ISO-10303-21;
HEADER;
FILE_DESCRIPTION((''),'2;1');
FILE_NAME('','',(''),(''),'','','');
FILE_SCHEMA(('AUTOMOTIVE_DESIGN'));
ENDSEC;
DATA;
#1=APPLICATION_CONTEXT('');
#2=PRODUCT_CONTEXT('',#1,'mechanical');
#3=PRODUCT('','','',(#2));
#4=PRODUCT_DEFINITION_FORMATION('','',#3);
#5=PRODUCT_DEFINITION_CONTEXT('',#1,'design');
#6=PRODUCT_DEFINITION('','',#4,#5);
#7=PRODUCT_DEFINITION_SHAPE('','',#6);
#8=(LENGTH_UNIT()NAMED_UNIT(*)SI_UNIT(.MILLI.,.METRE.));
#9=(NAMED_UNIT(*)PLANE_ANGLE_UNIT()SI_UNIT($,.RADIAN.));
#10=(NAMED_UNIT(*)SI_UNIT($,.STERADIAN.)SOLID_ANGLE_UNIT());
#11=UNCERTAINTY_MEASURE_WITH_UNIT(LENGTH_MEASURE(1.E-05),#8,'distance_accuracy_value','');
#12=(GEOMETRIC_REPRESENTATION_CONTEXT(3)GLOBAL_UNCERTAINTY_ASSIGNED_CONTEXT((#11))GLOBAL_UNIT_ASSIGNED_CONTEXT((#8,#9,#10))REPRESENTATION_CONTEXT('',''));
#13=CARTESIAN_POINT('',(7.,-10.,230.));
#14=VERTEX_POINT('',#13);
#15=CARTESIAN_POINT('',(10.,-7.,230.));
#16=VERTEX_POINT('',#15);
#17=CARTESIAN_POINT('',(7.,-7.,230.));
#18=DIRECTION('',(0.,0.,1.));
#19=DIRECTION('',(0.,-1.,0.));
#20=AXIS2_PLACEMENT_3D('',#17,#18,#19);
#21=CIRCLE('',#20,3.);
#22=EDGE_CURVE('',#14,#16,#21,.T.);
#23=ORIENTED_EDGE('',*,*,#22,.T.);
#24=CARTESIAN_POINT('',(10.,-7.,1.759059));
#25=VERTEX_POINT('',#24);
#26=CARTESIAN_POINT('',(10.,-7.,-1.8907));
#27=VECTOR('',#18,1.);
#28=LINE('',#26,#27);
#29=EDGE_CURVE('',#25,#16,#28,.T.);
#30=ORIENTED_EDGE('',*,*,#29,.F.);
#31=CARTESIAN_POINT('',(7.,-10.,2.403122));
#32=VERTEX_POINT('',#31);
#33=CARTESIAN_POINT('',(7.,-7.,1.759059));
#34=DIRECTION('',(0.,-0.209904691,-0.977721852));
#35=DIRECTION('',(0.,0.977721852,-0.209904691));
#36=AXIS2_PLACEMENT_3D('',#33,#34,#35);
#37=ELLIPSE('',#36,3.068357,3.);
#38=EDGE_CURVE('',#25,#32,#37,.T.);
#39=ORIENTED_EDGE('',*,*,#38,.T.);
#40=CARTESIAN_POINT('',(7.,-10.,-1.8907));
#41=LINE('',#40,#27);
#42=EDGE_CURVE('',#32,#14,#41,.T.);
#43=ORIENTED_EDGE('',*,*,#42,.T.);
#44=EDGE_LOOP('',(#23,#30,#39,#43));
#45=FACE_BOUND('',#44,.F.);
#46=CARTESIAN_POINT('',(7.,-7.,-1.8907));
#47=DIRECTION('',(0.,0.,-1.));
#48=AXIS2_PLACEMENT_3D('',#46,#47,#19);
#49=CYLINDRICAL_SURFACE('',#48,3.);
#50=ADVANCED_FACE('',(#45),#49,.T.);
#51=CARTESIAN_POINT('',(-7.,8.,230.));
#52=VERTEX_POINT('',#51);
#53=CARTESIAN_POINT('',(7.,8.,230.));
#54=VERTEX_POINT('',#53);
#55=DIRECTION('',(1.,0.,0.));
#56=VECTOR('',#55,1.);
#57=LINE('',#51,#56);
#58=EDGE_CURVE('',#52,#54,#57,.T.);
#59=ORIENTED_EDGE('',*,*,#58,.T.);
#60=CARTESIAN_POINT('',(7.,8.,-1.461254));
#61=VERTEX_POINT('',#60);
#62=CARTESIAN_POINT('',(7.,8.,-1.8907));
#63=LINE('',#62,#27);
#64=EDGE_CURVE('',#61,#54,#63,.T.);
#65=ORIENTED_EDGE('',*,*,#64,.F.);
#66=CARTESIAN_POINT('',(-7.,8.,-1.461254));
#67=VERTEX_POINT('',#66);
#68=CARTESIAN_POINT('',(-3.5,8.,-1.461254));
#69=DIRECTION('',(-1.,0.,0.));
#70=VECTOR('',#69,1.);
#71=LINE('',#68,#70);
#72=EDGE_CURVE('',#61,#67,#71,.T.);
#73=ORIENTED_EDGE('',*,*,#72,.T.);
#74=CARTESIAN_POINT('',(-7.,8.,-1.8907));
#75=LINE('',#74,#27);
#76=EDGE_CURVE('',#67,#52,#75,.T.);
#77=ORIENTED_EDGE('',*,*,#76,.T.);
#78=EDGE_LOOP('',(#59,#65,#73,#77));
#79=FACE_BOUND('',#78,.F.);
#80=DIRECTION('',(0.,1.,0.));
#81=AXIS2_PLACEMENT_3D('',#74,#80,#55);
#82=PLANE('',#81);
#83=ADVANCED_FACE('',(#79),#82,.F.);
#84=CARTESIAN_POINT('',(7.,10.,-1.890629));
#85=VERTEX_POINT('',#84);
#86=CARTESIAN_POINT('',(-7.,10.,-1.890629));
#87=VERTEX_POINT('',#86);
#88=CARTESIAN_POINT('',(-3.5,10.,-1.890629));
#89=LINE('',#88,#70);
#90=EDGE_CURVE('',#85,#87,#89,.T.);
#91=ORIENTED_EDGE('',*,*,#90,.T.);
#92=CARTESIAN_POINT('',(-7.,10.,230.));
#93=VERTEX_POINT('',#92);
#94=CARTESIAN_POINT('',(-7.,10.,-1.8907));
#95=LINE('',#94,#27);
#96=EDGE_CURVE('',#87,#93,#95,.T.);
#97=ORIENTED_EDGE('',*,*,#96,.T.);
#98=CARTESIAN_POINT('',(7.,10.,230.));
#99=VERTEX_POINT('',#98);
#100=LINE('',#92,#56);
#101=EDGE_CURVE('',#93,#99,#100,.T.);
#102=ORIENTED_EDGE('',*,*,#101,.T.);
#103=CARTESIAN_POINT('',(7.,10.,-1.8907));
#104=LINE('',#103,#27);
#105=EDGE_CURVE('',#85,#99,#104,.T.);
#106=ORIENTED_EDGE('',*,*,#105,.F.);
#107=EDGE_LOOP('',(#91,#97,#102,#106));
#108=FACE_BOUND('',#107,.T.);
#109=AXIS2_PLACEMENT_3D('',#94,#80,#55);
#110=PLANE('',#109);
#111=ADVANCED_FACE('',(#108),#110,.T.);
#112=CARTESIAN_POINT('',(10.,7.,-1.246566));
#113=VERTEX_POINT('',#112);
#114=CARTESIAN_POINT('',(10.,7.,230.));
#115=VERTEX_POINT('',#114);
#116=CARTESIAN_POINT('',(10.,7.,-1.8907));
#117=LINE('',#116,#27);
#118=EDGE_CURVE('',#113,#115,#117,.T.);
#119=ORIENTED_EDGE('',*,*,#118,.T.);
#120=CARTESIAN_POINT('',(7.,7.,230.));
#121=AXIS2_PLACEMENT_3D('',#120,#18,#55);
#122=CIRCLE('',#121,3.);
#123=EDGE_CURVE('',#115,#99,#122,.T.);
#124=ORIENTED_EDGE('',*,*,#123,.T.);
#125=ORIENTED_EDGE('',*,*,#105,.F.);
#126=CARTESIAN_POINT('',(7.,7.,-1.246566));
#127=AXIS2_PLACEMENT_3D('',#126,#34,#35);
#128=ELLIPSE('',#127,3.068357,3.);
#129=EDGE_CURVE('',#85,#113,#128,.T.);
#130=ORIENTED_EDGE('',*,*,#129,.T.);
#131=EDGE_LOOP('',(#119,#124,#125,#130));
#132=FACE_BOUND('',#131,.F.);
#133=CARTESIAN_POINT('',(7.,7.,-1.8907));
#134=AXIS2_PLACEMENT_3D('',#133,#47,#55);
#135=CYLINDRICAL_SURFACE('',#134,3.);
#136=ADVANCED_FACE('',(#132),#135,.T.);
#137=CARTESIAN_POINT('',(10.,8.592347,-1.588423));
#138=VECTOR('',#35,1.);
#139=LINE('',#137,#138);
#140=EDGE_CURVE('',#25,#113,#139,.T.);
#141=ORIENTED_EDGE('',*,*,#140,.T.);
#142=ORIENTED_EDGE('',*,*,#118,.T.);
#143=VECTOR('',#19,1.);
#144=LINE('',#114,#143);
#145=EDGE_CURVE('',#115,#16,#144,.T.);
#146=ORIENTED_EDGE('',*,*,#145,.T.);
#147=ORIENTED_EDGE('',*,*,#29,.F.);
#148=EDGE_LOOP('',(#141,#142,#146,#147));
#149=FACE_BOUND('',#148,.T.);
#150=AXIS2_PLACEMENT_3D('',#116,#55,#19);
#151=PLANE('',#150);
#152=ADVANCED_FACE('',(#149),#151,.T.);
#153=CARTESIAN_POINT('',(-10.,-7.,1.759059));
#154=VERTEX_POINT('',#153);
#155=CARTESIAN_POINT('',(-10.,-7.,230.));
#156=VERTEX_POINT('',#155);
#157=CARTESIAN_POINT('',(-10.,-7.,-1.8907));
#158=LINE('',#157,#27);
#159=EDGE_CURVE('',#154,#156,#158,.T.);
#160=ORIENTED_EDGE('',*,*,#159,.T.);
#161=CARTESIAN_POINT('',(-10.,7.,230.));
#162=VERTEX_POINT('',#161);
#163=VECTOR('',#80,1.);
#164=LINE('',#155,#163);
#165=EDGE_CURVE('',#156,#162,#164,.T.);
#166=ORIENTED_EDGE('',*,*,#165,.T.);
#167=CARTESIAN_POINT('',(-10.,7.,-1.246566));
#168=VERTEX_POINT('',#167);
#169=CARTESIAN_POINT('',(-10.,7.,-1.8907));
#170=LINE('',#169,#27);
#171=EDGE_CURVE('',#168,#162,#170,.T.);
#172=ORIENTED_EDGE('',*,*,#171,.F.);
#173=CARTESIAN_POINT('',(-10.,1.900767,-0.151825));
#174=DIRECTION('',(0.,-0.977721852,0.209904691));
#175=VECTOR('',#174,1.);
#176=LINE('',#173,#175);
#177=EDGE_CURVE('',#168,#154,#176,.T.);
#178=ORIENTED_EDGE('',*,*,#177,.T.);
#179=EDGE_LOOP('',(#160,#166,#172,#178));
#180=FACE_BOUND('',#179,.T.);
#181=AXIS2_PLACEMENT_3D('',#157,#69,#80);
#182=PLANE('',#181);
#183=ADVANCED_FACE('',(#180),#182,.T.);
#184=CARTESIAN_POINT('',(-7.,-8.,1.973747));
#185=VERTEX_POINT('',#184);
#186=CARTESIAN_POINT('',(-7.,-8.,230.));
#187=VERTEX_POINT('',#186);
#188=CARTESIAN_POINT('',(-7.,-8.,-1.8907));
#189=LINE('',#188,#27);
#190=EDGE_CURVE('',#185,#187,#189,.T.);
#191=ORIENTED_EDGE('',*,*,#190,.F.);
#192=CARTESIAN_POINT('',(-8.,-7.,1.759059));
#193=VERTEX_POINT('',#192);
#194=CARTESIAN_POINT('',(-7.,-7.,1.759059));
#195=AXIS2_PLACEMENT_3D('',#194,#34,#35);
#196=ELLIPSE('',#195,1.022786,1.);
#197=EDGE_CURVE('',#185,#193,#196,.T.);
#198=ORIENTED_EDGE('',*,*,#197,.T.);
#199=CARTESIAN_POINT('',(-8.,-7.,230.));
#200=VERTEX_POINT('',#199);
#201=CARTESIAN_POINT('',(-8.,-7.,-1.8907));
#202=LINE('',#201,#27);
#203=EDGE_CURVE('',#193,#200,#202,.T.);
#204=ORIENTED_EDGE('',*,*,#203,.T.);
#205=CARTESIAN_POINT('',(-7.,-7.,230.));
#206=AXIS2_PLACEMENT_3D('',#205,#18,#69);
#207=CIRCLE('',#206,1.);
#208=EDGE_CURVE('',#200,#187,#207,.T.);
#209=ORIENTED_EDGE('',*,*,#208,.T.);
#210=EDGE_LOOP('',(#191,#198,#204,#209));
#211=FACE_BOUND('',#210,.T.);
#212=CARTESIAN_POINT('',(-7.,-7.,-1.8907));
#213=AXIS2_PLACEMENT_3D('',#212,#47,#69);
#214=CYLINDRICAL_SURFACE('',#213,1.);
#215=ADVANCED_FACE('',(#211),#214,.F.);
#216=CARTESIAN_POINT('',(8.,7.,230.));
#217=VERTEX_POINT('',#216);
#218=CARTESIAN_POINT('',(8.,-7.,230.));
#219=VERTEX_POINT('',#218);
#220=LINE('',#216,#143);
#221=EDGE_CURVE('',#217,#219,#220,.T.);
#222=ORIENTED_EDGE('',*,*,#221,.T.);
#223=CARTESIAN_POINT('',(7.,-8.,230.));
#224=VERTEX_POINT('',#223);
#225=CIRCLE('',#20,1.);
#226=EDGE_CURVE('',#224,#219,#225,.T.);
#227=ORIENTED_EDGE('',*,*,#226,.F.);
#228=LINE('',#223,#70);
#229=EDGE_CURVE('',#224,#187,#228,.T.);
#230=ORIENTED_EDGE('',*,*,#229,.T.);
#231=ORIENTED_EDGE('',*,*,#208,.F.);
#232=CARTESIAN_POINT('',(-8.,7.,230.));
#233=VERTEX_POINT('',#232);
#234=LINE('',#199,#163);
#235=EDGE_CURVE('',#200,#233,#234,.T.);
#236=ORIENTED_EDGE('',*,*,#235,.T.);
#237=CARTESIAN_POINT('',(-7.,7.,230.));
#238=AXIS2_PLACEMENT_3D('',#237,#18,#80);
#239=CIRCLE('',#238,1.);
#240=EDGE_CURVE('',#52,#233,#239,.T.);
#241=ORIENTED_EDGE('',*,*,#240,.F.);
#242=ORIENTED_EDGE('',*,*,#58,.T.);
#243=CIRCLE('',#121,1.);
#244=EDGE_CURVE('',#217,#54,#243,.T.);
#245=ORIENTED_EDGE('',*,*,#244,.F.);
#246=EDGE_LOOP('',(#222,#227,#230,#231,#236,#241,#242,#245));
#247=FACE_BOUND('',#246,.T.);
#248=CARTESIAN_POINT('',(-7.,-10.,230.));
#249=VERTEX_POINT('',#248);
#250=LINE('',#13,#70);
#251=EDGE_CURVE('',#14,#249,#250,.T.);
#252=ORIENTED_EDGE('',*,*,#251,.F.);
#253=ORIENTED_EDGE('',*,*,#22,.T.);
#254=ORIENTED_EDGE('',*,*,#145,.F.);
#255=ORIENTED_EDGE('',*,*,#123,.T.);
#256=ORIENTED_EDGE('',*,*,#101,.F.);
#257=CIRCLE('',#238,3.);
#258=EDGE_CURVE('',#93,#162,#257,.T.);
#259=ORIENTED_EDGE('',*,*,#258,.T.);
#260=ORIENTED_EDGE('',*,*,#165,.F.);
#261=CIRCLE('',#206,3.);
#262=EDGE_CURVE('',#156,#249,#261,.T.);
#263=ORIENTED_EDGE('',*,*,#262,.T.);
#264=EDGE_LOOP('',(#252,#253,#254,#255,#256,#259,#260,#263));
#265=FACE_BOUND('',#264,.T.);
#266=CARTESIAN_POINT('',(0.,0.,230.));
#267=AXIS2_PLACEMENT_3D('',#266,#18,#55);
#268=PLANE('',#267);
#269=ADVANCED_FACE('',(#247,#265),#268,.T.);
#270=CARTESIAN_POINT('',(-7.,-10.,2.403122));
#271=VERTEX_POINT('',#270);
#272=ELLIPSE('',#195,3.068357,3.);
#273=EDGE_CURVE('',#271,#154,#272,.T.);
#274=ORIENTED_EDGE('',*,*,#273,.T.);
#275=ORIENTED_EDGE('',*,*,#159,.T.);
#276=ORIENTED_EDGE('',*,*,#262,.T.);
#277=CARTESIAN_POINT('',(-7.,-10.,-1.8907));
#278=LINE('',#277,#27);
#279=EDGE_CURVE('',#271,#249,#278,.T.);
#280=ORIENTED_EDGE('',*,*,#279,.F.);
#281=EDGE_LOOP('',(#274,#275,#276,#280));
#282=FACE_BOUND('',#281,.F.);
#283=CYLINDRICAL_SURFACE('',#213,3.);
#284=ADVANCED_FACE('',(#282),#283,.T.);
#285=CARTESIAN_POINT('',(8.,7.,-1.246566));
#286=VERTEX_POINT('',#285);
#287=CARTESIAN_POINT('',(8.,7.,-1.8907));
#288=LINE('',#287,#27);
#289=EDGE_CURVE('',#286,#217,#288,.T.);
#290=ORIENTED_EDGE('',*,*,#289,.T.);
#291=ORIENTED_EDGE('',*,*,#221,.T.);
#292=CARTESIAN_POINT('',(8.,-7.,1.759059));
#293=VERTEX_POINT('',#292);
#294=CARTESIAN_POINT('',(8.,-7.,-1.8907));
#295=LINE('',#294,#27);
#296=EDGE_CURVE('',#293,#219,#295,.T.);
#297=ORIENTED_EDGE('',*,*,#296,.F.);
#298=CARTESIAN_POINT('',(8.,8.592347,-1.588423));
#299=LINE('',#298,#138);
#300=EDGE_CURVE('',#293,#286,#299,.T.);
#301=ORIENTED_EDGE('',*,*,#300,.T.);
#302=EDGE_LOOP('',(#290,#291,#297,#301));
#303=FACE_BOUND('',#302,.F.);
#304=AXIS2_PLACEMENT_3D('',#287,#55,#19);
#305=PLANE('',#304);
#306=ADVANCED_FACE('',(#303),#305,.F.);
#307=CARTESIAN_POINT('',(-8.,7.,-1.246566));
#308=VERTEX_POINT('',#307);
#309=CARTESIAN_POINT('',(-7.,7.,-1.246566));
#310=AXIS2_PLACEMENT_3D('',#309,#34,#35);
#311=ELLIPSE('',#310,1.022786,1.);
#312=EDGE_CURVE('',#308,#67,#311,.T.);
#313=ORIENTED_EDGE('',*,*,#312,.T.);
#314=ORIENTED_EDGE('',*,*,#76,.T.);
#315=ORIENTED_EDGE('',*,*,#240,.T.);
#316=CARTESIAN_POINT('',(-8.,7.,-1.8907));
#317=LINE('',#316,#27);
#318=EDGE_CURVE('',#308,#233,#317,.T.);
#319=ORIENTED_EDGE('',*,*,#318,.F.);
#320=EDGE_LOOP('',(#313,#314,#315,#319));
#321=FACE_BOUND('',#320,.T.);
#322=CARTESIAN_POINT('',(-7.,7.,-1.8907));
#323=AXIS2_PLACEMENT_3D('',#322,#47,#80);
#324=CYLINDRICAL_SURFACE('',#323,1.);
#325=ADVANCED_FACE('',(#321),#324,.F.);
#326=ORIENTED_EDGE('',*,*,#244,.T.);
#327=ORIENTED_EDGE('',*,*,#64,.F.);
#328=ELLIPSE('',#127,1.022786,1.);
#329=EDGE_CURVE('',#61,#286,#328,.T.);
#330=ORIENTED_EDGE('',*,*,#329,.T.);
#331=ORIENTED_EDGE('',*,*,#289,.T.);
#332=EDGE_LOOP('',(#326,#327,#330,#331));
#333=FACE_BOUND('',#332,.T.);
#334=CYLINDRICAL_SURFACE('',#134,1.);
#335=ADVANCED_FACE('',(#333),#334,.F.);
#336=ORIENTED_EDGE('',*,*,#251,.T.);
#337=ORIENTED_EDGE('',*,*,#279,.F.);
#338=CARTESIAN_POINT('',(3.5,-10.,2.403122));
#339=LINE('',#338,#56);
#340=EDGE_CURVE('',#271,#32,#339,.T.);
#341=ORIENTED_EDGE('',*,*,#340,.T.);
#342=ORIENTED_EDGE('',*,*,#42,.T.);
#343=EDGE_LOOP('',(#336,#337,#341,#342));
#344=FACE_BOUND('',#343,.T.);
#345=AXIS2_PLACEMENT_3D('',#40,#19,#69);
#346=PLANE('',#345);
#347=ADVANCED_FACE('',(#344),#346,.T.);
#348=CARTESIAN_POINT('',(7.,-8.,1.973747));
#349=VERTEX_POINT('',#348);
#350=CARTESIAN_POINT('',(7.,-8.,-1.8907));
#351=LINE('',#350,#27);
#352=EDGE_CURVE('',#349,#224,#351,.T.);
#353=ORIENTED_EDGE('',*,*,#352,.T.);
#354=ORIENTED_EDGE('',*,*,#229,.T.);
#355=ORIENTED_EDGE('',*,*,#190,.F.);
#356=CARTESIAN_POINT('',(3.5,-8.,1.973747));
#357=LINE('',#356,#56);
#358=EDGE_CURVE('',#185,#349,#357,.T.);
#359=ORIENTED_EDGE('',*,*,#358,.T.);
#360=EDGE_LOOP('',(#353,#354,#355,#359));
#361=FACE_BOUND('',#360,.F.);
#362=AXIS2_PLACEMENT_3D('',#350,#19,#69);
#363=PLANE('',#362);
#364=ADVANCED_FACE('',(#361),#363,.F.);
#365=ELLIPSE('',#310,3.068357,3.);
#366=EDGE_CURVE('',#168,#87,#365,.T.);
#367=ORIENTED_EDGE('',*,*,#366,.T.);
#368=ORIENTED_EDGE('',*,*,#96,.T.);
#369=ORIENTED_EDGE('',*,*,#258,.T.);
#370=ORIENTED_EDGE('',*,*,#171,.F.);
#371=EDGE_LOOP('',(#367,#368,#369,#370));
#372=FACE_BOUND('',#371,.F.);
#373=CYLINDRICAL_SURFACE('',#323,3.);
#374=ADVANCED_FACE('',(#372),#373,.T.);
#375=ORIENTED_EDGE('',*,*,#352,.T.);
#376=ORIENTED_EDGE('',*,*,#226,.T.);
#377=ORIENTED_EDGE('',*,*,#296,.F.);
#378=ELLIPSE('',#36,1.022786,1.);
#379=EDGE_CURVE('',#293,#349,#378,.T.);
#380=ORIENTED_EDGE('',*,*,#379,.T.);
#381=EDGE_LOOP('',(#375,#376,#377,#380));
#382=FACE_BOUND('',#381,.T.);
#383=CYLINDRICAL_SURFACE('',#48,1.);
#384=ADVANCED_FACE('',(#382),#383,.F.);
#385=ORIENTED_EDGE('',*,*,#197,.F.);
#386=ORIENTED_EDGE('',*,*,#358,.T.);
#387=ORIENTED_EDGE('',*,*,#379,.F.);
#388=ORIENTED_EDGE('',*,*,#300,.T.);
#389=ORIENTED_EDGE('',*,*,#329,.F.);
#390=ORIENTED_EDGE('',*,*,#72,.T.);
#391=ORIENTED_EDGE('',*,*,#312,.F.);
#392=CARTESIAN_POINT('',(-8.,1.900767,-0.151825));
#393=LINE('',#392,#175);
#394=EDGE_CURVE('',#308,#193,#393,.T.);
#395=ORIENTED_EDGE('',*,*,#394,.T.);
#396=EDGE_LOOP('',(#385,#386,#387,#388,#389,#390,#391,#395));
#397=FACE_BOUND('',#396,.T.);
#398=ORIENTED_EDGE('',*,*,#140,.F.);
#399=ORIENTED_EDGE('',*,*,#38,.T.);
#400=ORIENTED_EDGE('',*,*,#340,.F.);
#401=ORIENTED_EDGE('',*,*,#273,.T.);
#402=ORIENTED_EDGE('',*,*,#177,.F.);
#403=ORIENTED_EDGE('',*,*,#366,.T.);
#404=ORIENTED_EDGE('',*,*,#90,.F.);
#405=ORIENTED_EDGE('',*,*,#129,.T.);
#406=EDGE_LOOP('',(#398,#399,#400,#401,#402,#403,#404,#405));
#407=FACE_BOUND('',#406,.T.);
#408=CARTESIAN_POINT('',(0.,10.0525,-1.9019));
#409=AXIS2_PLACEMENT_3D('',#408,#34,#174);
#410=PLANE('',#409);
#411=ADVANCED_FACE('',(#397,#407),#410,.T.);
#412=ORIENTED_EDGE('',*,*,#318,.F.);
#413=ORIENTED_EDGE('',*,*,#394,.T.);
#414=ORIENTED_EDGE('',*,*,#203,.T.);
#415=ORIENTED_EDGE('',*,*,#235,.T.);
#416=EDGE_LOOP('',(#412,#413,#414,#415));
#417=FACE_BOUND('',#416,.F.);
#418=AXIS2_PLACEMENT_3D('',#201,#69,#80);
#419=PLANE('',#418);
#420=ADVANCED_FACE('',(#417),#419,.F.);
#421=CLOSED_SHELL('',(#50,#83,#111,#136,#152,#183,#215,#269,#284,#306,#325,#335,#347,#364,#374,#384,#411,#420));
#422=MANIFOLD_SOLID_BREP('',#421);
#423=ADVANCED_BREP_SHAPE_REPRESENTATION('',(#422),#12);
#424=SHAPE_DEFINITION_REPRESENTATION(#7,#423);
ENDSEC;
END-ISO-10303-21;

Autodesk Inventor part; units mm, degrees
ref_plane "Start Plane" through (0, 0, -1.8907) normal (0, 0, 1) x (1, 0, 0)
ref_plane "End Plane" through (0, 0, 230) normal (0, 0, 1) x (1, 0, 0)
sketch "Sketch" plane through (0, 0, 0) normal (0, 0, 1) x (1, 0, 0)
  line L0 (-10, -7) -> (-10, 7)
  line L1 (-7, 10) -> (7, 10)
  line L2 (10, 7) -> (10, -7)
  line L3 (7, -10) -> (-7, -10)
  arc A0 (-10, -7) -> (-7, -10) centre (-7, -7) ccw
  arc A1 (-7, 10) -> (-10, 7) centre (-7, 7) ccw
  arc A2 (10, 7) -> (7, 10) centre (7, 7) ccw
  arc A3 (7, -10) -> (10, -7) centre (7, -7) ccw
  arc A4 (-7, 8) -> (-8, 7) centre (-7, 7) ccw
  line L4 (-7, 8) -> (7, 8)
  arc A5 (8, 7) -> (7, 8) centre (7, 7) ccw
  line L5 (8, 7) -> (8, -7)
  arc A6 (7, -8) -> (8, -7) centre (7, -7) ccw
  line L6 (7, -8) -> (-7, -8)
  arc A7 (-8, -7) -> (-7, -8) centre (-7, -7) ccw
  line L7 (-8, -7) -> (-8, 7)
  line L8 (0, 14.8698) -> (0, -14.8698) construction
  line L9 (-14.8698, 0) -> (14.8698, 0) construction
  dimension "d7" = 3
  dimension "d10" = 20
  dimension "d11" = 20
  dimension "d12" = 2
  dimension "d15" = 10
  dimension "d16" = 10
extrude "Body" add sketch "Sketch" along normal up to surface (231.8907 mm away) from surface at -1.8907
sketch "Sketch3" plane through (0, 0, 0) normal (0, 0, 1) x (1, 0, 0)
  line L0 (0, 0) -> (10, 0)
ref_plane "Work Plane3" through (0, 0, 0) normal (0, -1, 0) x (1, 0, 0)
sketch "Sketch4" plane through (0, 0, 0) normal (0, -1, 0) x (1, 0, 0)
  line L0 (-2, -1.8907) -> (12, -1.8907)
  line L1 (-2, 230) -> (12, 230)
  dimension "d18" = 231.8906
ref_plane "Work Plane4" through (0, 10.0525, -1.9019) normal (0, -0.2099, -0.9777) x (1, 0, 0)
split "Split1" plane through (0, 10.0525, -1.9019) removes the side toward (0, -0.2099, -0.9777)
equation "\"d7\" = G_IR"
equation "\"d10\" = G_H"
equation "\"d11\" = G_W"
equation "\"d12\" = G_T"
equation "\"d15\" = 0.5 * d10"
equation "\"d16\" = 0.5 * d11"
equation "\"d3\" = G_L"
equation "\"G_W\" = 20"
equation "\"G_H\" = 20"
equation "\"G_T\" = 2"
equation "\"G_IR\" = 3"
equation "\"G_L\" = d18"
equation "\"G_OFFSET_START\" = 1.89065"
equation "\"G_OFFSET_END\" = 0"
equation "\"d13\" = -G_OFFSET_START"
properties part number "ISO 12633-2 - 20x20x2 - 231.89" material "Steel, Mild"
